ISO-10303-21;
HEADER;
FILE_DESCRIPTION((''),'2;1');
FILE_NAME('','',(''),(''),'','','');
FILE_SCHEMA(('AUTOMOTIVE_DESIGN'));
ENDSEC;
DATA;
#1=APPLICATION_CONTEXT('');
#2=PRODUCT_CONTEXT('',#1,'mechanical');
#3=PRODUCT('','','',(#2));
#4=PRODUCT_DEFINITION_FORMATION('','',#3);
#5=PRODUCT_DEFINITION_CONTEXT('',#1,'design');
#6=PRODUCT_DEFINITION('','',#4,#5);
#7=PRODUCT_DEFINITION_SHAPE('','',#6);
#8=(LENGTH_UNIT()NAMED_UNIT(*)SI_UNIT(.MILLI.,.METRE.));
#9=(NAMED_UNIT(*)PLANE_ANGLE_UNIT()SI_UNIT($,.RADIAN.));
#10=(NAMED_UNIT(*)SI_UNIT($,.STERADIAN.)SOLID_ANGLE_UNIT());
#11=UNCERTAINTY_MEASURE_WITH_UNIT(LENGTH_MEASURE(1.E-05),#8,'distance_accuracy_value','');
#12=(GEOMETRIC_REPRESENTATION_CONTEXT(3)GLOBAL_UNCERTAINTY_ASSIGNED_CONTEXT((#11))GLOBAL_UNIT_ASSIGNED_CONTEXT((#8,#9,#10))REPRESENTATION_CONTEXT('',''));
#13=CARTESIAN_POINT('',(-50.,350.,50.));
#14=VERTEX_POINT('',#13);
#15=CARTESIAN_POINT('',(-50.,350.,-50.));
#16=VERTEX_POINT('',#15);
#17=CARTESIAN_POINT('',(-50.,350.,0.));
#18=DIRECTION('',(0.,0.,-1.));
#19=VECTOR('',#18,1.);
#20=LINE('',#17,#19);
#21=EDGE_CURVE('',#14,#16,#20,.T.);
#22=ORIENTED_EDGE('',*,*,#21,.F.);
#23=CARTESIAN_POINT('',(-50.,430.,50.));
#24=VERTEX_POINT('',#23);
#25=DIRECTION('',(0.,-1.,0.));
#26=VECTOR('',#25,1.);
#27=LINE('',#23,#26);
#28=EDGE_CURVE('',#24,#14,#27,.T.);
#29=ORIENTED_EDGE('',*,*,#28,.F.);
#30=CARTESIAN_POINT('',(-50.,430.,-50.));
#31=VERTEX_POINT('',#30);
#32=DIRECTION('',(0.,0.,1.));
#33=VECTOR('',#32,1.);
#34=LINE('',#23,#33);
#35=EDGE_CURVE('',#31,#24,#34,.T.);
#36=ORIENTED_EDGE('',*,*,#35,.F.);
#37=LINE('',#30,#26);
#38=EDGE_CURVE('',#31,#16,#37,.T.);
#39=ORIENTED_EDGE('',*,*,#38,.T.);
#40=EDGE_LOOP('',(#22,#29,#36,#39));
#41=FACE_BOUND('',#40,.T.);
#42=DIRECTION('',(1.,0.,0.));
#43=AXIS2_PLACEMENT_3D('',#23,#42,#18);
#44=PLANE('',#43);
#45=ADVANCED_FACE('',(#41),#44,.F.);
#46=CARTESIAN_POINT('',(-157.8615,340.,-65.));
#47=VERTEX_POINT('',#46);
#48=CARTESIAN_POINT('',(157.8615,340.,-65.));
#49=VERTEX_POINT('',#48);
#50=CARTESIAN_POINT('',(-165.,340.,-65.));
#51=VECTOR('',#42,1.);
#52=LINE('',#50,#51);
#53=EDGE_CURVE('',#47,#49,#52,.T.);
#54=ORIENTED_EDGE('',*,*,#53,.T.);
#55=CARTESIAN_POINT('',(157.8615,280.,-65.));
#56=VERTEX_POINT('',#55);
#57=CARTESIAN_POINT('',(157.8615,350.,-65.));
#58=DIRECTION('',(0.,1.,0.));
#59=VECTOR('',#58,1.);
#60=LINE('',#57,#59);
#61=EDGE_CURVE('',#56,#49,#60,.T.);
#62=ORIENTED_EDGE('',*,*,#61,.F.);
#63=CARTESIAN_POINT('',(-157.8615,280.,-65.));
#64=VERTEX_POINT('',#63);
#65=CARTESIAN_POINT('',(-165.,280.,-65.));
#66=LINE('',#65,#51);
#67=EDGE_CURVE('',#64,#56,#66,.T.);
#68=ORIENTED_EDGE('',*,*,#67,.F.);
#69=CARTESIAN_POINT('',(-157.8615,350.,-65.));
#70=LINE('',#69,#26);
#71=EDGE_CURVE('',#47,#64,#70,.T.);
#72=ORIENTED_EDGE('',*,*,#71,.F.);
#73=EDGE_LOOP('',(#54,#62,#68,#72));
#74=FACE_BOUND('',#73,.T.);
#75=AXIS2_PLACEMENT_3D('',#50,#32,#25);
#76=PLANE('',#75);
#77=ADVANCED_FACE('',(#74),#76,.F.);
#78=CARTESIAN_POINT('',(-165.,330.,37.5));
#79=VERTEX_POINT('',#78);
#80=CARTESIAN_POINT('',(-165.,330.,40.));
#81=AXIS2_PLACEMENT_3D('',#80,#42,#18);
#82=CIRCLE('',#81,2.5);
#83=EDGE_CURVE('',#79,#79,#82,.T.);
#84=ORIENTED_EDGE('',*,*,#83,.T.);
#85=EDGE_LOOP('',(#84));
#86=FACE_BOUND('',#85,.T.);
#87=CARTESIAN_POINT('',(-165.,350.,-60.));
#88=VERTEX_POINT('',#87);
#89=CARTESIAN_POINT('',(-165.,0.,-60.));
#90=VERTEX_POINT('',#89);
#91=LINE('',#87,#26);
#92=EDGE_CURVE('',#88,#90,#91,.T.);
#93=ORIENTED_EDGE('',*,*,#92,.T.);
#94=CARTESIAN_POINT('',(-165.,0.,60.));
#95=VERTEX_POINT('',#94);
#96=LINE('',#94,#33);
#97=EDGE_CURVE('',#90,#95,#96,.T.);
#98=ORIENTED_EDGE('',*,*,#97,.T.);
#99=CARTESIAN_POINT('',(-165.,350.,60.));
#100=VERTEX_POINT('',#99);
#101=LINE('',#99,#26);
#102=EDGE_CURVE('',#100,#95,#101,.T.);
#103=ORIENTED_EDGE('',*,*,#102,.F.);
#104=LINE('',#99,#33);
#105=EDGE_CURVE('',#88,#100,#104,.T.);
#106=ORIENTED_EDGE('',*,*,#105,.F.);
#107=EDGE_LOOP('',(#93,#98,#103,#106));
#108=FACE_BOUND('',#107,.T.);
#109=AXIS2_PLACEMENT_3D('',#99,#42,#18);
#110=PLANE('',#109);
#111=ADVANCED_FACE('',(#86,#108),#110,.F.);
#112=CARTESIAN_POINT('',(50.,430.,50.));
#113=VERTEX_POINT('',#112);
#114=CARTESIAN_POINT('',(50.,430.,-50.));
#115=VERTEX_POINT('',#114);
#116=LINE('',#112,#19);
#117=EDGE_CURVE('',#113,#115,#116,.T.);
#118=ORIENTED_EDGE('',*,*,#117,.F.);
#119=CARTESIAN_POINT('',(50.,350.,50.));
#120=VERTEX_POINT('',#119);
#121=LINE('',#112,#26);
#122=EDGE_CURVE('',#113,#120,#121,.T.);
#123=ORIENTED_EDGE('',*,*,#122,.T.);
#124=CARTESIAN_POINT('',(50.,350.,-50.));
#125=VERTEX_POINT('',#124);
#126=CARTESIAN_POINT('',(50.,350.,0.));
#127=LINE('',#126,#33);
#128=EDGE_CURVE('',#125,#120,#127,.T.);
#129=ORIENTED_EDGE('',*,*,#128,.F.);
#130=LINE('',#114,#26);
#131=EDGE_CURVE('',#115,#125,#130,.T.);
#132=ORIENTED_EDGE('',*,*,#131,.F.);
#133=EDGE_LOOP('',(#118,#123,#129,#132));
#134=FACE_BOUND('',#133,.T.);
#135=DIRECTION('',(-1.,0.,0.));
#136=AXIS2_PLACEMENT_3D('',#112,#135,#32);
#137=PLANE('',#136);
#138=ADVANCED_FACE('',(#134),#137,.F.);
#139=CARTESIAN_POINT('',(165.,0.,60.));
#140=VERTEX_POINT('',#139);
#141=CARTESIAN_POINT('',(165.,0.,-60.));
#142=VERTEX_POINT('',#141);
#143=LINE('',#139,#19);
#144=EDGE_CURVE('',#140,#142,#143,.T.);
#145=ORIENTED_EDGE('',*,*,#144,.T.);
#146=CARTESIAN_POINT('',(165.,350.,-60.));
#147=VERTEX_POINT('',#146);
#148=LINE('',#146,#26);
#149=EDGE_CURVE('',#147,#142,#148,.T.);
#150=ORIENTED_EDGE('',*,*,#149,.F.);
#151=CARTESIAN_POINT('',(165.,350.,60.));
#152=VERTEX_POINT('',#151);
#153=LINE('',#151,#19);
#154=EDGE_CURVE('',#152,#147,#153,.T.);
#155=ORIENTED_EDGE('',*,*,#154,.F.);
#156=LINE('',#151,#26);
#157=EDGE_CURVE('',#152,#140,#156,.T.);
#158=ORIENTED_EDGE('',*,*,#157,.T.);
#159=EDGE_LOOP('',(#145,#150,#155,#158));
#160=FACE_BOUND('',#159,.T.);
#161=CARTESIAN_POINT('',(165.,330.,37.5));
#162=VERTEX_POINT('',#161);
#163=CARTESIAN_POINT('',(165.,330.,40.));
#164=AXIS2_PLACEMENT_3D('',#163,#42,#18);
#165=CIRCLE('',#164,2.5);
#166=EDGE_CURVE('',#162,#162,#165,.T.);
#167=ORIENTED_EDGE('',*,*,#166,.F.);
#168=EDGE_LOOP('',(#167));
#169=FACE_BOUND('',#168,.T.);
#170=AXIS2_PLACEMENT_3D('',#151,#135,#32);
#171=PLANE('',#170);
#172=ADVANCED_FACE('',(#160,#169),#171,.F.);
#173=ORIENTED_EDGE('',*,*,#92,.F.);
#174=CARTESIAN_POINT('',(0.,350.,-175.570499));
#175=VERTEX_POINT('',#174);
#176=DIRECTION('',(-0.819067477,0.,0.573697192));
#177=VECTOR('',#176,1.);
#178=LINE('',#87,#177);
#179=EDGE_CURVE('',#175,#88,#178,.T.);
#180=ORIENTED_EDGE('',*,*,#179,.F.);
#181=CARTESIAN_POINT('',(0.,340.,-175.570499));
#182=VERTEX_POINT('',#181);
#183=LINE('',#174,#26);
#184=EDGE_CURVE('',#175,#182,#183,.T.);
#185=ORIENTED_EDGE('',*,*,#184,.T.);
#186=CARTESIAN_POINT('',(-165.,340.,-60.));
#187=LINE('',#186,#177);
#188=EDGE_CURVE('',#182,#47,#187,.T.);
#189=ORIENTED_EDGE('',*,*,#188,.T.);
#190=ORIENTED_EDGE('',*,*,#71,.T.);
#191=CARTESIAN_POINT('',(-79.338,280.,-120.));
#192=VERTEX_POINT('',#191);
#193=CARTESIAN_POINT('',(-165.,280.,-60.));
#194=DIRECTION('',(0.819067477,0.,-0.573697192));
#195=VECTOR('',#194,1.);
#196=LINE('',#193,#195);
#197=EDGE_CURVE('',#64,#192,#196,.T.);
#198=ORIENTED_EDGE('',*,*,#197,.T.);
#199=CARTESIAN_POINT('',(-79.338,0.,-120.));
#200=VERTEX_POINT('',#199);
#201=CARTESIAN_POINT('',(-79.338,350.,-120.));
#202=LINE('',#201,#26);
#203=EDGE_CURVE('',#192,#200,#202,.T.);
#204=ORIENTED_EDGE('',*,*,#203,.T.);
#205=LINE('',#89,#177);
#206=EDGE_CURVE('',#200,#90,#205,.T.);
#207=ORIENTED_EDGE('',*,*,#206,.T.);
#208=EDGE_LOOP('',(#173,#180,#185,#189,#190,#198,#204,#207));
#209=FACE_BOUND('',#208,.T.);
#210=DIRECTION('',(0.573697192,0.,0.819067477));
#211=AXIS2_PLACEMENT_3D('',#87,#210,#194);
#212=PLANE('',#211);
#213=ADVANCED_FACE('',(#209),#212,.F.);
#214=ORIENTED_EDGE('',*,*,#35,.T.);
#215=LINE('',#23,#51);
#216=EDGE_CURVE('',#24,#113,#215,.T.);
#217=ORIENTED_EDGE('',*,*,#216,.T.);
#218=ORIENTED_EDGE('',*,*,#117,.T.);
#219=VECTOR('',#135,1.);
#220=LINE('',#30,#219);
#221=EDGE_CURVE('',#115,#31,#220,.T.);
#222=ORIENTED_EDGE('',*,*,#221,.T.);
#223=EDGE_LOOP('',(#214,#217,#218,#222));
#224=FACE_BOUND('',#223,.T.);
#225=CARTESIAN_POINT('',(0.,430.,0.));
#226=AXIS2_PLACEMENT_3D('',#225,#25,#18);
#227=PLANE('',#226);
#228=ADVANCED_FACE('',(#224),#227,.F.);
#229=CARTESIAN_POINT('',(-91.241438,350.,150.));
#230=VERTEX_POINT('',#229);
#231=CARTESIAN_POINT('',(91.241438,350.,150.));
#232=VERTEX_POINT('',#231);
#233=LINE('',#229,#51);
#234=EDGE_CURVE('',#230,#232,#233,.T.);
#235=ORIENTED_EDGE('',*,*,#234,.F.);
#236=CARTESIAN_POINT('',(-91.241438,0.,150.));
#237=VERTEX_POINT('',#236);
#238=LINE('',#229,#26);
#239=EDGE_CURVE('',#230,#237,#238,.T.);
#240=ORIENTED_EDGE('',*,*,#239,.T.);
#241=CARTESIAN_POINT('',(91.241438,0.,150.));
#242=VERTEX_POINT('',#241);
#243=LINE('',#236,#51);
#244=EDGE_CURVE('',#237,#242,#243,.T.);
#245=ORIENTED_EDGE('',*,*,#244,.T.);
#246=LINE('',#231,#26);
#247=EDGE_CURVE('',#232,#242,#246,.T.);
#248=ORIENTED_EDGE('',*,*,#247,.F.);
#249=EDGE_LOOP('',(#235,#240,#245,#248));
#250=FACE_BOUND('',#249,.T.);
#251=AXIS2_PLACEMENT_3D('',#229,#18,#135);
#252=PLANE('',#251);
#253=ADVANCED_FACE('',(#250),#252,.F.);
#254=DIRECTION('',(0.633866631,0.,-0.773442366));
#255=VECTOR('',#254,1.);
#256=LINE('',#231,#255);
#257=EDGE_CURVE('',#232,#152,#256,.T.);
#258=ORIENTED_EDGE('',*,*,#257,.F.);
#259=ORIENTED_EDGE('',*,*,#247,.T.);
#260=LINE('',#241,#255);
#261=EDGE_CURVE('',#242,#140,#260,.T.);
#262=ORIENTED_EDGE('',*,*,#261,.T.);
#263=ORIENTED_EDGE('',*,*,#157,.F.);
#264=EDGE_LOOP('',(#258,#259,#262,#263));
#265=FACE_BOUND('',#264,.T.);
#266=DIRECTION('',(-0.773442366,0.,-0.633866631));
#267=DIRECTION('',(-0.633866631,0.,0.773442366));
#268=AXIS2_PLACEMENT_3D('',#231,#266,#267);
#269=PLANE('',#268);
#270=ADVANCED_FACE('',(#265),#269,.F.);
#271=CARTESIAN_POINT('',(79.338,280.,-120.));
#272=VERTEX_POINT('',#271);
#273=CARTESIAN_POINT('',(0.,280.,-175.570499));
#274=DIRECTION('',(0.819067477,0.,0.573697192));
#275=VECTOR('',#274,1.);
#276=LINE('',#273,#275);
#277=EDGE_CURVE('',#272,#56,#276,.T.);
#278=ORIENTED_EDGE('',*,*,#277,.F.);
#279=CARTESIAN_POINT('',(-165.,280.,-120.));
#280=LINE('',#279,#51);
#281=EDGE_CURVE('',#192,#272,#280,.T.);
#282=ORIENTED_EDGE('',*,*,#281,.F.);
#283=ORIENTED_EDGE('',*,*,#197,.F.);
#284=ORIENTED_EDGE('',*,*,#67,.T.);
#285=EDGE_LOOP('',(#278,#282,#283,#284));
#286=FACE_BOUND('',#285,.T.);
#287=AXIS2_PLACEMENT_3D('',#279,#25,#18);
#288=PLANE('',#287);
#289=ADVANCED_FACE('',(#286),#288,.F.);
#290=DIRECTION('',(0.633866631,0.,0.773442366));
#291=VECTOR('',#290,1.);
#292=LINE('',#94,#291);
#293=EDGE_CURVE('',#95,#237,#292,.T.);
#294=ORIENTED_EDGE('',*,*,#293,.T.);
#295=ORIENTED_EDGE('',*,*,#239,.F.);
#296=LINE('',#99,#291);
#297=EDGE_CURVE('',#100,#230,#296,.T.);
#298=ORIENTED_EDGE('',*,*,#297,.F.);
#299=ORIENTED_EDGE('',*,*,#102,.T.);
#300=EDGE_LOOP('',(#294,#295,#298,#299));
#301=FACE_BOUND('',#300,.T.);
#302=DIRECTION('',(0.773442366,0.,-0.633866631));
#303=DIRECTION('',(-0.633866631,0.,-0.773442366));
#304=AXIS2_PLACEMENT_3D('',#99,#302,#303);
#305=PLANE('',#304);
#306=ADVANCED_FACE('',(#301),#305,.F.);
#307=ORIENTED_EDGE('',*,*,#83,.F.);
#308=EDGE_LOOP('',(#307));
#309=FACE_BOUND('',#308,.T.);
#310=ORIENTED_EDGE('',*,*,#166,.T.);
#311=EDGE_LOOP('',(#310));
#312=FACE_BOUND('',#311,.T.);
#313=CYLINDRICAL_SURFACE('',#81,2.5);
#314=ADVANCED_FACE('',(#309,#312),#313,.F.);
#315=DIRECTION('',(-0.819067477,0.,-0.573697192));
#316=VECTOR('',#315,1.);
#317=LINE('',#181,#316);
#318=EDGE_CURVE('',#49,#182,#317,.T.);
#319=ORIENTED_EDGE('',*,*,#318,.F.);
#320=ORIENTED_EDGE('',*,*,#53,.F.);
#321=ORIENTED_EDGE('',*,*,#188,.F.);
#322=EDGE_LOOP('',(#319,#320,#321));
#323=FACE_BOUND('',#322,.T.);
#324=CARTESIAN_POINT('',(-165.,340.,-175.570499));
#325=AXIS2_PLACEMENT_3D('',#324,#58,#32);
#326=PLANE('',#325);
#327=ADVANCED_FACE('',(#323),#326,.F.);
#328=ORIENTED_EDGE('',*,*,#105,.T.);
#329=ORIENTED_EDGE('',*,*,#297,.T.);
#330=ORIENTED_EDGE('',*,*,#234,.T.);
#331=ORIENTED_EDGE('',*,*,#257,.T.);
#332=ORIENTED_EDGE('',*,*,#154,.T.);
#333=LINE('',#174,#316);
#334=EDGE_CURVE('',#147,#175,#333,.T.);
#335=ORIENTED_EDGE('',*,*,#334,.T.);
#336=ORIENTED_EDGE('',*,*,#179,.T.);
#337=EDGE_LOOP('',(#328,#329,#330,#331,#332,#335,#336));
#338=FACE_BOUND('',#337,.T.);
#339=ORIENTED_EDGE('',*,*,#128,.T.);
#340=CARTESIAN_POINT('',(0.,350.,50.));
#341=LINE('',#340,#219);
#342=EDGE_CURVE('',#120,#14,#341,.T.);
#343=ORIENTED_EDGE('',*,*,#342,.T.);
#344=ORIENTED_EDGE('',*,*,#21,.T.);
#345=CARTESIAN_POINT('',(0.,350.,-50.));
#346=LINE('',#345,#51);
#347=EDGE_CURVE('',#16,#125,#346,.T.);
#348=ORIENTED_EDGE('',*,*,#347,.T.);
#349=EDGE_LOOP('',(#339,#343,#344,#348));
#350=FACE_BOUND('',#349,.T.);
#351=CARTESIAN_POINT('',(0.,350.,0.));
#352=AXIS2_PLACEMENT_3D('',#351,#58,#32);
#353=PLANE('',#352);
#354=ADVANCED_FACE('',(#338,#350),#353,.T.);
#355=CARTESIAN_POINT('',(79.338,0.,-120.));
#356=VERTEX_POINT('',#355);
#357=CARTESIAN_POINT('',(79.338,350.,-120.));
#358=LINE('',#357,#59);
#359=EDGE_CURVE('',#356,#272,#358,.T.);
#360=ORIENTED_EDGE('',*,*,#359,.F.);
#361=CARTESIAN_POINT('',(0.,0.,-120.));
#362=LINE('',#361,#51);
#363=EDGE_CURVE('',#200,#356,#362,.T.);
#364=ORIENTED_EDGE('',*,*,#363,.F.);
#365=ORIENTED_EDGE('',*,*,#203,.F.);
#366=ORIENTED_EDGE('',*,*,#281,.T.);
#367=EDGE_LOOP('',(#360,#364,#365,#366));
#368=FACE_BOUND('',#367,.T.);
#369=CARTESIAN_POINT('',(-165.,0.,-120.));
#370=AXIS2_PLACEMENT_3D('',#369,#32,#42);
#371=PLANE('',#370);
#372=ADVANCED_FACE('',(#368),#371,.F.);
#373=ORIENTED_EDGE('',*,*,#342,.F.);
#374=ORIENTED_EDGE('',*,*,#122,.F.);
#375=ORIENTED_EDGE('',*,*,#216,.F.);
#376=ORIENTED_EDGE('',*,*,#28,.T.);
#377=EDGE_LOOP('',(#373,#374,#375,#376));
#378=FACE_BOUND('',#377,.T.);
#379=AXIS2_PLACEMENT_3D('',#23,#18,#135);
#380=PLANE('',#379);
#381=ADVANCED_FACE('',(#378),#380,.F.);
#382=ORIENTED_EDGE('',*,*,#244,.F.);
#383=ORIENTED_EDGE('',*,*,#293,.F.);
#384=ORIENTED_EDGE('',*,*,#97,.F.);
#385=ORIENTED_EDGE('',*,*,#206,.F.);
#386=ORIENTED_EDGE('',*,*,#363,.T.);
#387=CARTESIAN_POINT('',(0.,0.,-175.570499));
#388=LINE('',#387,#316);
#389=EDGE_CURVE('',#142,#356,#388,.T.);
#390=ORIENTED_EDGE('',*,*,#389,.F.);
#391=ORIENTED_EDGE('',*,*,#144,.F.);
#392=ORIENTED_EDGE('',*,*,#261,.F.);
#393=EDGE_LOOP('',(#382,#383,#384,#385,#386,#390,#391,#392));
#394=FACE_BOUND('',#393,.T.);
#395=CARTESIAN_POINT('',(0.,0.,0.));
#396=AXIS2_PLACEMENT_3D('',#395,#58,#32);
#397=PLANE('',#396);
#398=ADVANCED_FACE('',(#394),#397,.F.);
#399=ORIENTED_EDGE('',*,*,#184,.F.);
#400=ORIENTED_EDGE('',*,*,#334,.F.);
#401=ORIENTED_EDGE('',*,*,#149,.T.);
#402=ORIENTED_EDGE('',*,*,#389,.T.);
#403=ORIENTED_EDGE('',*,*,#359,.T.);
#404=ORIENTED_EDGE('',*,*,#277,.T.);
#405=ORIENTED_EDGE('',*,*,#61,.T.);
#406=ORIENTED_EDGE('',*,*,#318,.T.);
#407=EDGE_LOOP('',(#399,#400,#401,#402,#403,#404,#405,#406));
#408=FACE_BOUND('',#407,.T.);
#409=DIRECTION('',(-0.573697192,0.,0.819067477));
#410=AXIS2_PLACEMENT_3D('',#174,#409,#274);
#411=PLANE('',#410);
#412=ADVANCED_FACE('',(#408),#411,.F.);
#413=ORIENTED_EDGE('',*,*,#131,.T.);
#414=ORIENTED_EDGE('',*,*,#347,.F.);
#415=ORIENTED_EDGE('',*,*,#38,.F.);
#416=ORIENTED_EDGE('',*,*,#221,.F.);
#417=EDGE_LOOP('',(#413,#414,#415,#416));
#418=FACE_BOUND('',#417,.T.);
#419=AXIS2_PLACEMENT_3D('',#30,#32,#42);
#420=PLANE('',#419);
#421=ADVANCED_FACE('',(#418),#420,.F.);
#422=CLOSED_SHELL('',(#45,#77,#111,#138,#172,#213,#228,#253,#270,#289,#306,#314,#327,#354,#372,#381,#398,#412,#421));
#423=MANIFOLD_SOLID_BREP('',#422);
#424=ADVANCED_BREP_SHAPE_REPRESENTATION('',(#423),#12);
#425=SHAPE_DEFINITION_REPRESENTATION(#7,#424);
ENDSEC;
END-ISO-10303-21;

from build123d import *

# Parameters (mm, degrees)
BOSS_EXTRU_1_DEPTH      = 350
ESQUISSE2_W             = 100
ESQUISSE2_H             = 100
BOSS_EXTRU_2_DEPTH      = 430
ENL_V_MAT_EXTRU_1_DEPTH = 570.758720863
ESQUISSE4_R             = 2.5
ENL_V_MAT_EXTRU_2_DEPTH = 570.758720863


with BuildPart() as part:
    # Esquisse1 → Boss.-Extru.1 (new body)
    with BuildSketch(Plane(origin=(0, 0, 0), x_dir=(1, 0, 0), z_dir=(0, 1, 0))):
        Polygon((-165, 60), (0, 175.570498661), (165, 60), (165, -60), (91.241437954, -150), (-91.241437954, -150), (-165, -60), align=None)
    extrude(amount=BOSS_EXTRU_1_DEPTH)

    # Esquisse2 → Boss.-Extru.2 (add)
    with BuildSketch(Plane(origin=(0, 0, 0), x_dir=(1, 0, 0), z_dir=(0, 1, 0))):
        Rectangle(ESQUISSE2_W, ESQUISSE2_H)
    extrude(amount=BOSS_EXTRU_2_DEPTH)

    # Esquisse3 → Enlèv. mat.-Extru.1 (cut, through all)
    with BuildSketch(Plane(origin=(165, 0, 0), x_dir=(0, 0, -1), z_dir=(1, 0, 0))):
        Polygon((175.570498661, 0), (120, 0), (120, 280), (65, 280), (65, 340), (175.570498661, 340), align=None)
    extrude(amount=-ENL_V_MAT_EXTRU_1_DEPTH, mode=Mode.SUBTRACT)

    # Esquisse4 → Enlèv. mat.-Extru.2 (cut, through all)
    with BuildSketch(Plane(origin=(165, 0, 0), x_dir=(0, 0, -1), z_dir=(1, 0, 0))):
        with Locations((-40, 330)):
            Circle(ESQUISSE4_R)
    extrude(amount=-ENL_V_MAT_EXTRU_2_DEPTH, mode=Mode.SUBTRACT)


solid = part.part
